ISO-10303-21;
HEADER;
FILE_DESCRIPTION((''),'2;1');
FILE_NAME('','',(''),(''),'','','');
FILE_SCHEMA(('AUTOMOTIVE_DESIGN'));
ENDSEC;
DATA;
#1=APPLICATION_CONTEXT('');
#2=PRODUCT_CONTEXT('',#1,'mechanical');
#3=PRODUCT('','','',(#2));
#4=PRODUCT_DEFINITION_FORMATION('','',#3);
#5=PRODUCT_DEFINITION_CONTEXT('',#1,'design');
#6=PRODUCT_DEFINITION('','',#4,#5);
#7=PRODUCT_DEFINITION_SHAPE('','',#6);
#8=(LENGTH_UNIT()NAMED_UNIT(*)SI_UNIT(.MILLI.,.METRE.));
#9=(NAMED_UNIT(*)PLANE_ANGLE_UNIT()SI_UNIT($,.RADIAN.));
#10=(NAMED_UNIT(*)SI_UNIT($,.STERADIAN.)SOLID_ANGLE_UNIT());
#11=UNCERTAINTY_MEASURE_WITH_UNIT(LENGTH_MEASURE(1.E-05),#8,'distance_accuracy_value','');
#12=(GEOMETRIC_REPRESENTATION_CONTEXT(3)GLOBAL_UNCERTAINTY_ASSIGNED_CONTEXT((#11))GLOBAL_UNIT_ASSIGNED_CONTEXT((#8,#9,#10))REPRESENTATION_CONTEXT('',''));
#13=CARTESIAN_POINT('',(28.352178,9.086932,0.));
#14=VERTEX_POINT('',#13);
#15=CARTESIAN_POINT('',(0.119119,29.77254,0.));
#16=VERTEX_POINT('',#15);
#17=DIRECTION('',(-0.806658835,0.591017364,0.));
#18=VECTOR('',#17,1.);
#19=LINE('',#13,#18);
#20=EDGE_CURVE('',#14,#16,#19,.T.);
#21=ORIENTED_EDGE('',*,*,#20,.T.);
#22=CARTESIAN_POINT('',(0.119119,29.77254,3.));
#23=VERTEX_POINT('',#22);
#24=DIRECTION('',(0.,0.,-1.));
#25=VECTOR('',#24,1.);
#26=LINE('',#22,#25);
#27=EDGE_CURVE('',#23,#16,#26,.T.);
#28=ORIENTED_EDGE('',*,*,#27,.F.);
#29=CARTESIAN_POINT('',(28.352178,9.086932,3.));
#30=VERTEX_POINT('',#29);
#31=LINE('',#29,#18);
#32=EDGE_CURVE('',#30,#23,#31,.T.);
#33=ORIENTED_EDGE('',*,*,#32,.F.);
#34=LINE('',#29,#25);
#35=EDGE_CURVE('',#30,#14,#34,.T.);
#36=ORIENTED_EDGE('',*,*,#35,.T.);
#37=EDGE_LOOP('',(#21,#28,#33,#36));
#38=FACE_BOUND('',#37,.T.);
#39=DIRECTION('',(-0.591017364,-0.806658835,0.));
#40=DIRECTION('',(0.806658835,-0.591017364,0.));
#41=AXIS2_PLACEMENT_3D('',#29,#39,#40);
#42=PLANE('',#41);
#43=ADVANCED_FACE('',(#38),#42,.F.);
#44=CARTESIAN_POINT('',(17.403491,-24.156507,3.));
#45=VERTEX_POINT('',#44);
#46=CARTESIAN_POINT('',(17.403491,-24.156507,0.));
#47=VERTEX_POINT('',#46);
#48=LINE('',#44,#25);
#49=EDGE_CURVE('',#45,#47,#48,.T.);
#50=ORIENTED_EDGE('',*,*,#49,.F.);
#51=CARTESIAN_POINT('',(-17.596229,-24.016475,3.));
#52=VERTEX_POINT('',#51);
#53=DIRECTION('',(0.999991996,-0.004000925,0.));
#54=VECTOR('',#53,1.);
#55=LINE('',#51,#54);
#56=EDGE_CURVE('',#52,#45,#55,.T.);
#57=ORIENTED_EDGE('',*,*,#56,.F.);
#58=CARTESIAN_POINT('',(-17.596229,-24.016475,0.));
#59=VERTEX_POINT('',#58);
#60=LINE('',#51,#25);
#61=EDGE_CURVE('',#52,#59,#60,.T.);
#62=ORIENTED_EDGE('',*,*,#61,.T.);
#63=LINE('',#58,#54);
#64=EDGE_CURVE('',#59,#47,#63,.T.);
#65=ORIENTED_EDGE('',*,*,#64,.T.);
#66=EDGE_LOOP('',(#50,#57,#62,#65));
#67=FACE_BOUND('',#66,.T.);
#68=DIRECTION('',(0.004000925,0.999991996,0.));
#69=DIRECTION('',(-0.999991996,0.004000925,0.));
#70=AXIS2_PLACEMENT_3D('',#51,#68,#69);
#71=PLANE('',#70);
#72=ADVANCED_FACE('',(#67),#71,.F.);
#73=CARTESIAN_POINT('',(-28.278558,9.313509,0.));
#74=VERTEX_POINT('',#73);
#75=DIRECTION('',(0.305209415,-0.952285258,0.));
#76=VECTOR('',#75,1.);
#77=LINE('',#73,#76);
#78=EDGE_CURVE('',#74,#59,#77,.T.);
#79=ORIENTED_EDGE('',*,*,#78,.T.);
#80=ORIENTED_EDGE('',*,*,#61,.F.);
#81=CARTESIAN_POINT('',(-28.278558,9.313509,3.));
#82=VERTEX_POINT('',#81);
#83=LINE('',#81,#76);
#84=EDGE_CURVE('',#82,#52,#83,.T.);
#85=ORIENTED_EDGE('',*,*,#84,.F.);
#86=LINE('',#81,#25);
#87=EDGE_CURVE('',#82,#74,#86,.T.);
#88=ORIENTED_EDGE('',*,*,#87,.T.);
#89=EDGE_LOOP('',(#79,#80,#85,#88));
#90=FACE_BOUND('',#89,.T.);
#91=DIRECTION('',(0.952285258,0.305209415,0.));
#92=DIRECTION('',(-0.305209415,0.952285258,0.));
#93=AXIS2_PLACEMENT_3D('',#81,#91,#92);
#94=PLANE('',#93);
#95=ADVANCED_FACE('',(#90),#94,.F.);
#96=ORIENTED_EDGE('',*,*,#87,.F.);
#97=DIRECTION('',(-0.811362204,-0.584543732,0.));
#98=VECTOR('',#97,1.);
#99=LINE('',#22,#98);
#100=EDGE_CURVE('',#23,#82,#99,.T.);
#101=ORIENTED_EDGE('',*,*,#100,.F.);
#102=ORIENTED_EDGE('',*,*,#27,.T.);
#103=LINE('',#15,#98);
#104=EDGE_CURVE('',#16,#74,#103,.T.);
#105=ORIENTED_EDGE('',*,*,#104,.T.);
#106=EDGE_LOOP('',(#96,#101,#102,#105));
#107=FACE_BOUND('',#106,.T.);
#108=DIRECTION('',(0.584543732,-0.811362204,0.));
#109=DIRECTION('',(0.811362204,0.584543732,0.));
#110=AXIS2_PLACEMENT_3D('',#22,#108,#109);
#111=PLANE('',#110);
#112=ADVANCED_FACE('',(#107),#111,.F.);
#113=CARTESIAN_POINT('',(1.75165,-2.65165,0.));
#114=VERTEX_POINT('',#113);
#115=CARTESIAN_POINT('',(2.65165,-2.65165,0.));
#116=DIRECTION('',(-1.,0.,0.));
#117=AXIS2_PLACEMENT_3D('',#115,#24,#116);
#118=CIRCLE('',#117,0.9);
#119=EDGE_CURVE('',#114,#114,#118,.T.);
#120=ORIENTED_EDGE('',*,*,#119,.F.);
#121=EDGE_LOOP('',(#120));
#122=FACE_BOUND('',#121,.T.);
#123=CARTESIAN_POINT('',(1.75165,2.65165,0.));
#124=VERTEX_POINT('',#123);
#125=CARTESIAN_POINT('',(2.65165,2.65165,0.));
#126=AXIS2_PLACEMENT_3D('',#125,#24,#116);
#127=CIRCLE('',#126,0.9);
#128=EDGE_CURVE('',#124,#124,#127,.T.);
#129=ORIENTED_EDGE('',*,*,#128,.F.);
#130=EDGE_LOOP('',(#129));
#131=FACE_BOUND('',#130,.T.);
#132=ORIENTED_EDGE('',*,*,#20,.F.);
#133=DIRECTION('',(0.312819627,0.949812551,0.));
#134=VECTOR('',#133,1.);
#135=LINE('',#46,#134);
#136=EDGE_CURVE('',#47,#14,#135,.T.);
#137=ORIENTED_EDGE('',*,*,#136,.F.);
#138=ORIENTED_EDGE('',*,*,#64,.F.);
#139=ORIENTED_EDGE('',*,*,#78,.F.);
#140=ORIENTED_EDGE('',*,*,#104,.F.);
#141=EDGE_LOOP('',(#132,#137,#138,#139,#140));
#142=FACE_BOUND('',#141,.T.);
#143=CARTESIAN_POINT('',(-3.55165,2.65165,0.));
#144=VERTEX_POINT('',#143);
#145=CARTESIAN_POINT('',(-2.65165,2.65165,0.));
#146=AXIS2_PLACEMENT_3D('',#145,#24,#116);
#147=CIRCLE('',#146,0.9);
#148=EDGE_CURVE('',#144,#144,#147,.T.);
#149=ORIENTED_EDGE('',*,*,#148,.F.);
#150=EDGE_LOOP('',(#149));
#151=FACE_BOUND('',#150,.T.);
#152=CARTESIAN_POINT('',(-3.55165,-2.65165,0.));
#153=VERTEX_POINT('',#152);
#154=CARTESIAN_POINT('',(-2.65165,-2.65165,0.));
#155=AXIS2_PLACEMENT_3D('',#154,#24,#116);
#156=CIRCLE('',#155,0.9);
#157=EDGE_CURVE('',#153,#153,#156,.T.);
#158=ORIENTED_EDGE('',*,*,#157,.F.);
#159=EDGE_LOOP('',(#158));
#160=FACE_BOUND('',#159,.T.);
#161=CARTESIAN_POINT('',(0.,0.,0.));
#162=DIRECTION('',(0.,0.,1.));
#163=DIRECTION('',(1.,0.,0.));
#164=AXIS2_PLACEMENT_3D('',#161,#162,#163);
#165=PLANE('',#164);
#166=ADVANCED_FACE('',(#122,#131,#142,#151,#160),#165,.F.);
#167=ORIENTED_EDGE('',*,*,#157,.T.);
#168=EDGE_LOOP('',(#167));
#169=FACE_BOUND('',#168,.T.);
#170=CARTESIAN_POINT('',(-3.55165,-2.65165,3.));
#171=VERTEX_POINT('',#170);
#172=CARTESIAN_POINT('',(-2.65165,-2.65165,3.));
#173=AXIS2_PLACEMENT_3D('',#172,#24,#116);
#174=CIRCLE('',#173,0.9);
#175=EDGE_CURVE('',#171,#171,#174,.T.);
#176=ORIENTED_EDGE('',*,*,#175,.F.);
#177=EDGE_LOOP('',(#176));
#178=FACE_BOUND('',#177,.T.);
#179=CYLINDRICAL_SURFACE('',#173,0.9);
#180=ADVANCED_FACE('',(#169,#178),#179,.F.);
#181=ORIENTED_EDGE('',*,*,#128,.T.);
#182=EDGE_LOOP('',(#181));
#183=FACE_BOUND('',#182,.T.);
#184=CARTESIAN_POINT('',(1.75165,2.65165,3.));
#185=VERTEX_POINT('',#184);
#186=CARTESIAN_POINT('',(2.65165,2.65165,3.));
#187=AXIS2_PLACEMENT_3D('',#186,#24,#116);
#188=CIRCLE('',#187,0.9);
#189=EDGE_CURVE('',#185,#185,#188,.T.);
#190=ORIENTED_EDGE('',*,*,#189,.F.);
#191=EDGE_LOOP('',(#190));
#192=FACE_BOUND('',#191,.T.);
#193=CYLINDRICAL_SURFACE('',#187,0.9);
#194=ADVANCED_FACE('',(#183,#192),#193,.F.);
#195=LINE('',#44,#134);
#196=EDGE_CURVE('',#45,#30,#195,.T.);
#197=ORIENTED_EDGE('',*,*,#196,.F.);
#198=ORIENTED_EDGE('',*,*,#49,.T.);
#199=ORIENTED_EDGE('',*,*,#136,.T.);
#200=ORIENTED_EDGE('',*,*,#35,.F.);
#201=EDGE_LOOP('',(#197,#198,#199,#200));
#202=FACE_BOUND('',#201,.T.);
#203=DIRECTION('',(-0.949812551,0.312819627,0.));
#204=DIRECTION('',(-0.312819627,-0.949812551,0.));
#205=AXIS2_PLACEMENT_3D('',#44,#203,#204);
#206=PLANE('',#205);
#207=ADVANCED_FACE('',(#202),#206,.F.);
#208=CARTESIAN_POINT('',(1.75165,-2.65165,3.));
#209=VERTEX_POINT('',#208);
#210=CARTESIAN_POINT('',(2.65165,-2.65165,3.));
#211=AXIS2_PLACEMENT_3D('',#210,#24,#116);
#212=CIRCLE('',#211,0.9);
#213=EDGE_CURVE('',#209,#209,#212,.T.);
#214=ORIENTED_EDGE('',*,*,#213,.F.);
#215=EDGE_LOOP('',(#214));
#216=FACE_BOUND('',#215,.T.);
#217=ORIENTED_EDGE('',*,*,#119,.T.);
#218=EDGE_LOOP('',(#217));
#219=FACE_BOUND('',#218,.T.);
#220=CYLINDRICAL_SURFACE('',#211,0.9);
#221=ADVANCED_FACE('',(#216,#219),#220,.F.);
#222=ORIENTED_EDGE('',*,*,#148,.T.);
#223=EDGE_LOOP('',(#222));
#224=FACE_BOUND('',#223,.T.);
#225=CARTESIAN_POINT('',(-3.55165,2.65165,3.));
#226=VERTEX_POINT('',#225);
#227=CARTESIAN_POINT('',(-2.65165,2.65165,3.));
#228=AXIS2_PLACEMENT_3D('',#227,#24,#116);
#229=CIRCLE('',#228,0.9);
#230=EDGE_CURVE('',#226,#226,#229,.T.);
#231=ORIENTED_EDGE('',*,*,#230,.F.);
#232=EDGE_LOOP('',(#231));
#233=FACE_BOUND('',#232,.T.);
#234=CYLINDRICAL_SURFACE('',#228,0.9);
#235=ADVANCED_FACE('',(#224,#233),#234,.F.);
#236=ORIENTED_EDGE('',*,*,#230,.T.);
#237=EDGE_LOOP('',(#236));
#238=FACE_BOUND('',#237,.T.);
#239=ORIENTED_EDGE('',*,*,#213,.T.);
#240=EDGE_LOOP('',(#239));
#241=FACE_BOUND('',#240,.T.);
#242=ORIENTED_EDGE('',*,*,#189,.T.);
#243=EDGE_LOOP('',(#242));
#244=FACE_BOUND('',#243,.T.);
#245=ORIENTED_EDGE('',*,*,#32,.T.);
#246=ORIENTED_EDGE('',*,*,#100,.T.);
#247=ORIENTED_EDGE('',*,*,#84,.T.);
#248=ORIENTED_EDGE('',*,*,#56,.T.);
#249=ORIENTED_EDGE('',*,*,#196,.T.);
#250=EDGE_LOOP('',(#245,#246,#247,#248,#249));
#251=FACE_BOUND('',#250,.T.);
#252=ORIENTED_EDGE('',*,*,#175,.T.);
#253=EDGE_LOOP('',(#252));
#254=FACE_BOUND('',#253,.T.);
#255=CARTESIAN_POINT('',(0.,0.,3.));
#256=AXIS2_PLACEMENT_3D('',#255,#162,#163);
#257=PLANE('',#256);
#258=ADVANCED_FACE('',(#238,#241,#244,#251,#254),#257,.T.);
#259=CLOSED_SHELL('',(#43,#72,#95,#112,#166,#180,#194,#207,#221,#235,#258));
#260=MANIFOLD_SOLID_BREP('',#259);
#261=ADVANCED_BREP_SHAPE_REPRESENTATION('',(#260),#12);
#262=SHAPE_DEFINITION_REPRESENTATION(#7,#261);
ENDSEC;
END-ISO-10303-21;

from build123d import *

# Parameters (mm, degrees)
BOSS_EXTRUDE1_DEPTH = 3
SKETCH2_R           = 0.9
CUT_EXTRUDE1_DEPTH  = 3


with BuildPart() as part:
    # Sketch1 → Boss-Extrude1 (new body)
    with BuildSketch(Plane.XY):
        Polygon((-17.596228945, -24.016474641), (17.403490925, -24.156507009), (28.352177859, 9.08693226), (0.119118647, 29.772539999), (-28.278558486, 9.313509391), align=None)
    extrude(amount=BOSS_EXTRUDE1_DEPTH)

    # Sketch2 → Cut-Extrude1 (cut)
    with BuildSketch(Plane(origin=(0, 0, 0), x_dir=(-1, 0, 0), z_dir=(0, 0, -1))):
        with Locations((2.651650429, -2.651650429)):
            Circle(SKETCH2_R)
        with Locations((-2.651650429, -2.651650429)):
            Circle(SKETCH2_R)
        with Locations((-2.651650429, 2.651650429)):
            Circle(SKETCH2_R)
        with Locations((2.651650429, 2.651650429)):
            Circle(SKETCH2_R)
    extrude(amount=-CUT_EXTRUDE1_DEPTH, mode=Mode.SUBTRACT)


solid = part.part
